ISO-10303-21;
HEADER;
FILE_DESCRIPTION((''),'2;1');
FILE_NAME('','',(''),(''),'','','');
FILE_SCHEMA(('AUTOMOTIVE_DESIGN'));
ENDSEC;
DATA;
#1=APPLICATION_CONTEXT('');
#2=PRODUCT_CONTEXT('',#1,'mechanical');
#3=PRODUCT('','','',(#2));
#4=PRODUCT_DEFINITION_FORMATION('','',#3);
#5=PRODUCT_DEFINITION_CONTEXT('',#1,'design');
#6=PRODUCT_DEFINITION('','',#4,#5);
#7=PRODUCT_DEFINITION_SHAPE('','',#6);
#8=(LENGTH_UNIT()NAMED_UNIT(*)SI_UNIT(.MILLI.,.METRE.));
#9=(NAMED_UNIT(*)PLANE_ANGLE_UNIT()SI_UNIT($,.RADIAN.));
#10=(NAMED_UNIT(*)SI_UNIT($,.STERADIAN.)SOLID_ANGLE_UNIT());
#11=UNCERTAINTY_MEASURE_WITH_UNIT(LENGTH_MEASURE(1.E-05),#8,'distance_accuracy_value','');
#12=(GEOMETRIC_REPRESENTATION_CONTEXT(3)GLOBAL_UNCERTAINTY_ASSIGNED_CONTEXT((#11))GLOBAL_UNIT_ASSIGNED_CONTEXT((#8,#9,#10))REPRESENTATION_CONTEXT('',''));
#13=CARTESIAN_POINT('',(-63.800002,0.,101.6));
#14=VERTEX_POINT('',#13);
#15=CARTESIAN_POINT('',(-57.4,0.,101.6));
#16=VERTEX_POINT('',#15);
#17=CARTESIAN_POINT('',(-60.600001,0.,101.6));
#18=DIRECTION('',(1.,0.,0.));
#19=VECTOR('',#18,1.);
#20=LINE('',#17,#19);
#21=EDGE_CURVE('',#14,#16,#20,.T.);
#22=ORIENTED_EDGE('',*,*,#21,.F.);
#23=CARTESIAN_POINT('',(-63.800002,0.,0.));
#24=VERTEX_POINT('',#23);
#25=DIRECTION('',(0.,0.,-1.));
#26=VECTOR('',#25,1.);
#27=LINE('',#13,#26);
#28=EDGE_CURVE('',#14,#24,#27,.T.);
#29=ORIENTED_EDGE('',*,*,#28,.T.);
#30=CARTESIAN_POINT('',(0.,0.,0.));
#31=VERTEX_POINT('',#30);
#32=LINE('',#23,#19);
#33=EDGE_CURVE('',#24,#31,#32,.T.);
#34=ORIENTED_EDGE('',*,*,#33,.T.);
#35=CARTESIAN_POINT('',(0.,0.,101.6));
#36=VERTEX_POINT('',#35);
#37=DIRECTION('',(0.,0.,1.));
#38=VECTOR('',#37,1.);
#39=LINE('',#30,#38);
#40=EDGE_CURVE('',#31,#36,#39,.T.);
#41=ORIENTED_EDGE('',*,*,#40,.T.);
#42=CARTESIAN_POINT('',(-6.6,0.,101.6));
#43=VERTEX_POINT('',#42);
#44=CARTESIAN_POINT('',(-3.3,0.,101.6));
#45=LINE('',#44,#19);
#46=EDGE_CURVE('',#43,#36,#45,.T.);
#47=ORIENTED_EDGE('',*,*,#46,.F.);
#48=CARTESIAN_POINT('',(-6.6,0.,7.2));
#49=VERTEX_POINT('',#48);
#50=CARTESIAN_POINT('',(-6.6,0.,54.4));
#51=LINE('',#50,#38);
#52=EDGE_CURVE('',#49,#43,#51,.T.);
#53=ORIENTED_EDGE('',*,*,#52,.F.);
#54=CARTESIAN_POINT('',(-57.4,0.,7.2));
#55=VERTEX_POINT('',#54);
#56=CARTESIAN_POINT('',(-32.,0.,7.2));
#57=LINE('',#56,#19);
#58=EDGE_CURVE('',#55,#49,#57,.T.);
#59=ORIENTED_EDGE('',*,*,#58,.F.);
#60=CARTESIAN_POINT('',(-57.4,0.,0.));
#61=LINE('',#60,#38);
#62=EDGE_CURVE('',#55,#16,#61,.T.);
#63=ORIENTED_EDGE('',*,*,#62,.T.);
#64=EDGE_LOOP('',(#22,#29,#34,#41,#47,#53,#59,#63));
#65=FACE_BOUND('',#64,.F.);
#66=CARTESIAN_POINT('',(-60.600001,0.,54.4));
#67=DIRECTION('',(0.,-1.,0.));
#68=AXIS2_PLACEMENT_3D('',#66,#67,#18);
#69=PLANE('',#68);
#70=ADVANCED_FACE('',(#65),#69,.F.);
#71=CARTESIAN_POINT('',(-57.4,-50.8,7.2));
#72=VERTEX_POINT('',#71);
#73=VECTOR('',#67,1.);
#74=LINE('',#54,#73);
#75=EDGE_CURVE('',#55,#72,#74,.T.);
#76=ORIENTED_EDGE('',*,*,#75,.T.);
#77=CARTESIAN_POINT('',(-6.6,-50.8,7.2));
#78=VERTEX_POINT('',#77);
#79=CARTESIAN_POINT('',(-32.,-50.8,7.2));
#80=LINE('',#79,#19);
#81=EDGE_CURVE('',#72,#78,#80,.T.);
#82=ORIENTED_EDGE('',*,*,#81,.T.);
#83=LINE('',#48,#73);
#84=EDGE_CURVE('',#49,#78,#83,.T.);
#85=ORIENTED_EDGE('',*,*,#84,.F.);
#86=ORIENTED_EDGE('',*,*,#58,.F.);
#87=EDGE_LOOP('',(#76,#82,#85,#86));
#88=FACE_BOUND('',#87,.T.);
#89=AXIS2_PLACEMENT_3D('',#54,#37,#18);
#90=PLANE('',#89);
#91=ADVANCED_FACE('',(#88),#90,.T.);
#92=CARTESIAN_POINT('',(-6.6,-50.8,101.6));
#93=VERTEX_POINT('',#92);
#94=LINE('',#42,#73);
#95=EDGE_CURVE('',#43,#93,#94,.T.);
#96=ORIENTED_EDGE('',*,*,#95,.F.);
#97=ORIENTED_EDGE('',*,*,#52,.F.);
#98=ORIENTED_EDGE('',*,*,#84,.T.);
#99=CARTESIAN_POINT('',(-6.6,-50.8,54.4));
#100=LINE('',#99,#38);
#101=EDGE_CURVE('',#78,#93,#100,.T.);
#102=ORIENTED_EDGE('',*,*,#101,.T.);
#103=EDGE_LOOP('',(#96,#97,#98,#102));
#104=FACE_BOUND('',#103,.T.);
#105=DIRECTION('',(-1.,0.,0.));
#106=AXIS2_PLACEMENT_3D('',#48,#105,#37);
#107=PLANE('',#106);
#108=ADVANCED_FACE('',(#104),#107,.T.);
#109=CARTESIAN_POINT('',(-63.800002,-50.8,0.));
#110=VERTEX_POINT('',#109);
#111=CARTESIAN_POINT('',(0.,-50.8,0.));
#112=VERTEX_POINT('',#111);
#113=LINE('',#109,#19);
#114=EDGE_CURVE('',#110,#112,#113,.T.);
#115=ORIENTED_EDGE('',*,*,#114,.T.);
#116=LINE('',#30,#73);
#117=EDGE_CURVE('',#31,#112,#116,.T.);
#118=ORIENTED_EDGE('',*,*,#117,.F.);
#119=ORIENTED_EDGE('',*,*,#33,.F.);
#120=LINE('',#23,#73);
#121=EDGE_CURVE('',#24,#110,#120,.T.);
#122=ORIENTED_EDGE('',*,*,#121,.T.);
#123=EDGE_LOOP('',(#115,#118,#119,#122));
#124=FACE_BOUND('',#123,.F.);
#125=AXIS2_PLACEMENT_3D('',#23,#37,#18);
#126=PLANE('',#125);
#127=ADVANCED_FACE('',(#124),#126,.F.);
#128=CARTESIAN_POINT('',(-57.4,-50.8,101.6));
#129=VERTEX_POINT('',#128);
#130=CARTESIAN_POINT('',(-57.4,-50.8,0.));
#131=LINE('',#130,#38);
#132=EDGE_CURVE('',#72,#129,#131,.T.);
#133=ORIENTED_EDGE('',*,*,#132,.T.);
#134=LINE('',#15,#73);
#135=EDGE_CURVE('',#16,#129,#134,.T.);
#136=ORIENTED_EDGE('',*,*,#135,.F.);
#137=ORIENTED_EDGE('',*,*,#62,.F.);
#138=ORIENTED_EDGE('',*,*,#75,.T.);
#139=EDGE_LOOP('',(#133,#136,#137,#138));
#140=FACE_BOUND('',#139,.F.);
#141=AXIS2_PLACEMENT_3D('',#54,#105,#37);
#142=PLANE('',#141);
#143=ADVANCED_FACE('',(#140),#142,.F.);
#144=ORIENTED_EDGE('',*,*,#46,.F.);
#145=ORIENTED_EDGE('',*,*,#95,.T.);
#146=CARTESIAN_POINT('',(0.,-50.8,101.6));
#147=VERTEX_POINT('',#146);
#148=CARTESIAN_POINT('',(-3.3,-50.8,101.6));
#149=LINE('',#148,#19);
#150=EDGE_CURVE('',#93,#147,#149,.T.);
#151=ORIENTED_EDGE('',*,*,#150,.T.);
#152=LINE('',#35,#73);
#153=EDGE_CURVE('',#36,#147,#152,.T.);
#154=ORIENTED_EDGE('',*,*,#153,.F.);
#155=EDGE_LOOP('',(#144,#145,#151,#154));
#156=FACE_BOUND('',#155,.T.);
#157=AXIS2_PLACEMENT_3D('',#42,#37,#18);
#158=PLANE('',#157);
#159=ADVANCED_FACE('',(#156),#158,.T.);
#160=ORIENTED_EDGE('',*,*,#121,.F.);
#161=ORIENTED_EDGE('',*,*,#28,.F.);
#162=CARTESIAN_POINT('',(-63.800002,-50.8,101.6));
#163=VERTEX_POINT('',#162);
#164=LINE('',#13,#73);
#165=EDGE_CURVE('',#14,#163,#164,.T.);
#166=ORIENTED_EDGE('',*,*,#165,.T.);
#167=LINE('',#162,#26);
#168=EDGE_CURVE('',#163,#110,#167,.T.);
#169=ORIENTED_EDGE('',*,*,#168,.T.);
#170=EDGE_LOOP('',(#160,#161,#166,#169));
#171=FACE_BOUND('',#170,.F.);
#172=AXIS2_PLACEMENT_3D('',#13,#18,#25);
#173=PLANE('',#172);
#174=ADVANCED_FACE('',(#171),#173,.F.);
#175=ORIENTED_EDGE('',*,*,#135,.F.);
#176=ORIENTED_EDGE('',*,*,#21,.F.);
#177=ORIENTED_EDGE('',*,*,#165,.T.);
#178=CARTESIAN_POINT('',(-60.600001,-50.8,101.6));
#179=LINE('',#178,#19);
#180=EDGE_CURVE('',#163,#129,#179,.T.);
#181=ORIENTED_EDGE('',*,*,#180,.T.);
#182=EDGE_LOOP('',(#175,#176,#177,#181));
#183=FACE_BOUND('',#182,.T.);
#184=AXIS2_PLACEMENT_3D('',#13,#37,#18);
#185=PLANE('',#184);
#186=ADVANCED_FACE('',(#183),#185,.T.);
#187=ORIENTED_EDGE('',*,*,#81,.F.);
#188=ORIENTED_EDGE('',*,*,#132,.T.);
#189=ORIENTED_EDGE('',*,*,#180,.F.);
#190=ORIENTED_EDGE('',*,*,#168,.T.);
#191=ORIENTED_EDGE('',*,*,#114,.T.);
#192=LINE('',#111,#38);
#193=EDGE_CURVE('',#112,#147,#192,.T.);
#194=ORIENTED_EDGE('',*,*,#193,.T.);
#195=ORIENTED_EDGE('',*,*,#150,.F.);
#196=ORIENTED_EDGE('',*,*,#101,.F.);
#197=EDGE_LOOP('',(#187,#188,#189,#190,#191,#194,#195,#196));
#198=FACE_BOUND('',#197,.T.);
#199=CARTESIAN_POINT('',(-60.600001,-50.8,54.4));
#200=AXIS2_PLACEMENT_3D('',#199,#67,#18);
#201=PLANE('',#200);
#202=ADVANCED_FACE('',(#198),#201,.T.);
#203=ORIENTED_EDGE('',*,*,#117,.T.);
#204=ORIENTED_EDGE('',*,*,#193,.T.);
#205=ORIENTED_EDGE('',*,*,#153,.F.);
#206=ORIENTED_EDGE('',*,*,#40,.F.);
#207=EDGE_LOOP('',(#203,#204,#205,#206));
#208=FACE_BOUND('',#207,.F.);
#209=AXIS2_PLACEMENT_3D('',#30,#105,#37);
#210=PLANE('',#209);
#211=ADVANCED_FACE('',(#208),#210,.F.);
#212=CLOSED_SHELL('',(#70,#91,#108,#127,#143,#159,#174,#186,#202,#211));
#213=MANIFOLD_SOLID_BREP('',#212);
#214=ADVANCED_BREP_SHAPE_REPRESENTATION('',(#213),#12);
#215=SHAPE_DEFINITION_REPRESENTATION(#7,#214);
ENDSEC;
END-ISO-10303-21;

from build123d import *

# Parameters (mm, degrees)
F0_W     = 6.400002
F0_H     = 94.4
F0_H_2   = 7.2
F0_W_2   = 50.8
F0_W_3   = 6.6
F1_DEPTH = 50.8


with BuildPart() as f1:
    # F0 (on Front) → F1 (new body)
    with BuildSketch(Plane.XZ):
        with Locations((-60.600001, 54.4)):
            Rectangle(F0_W, F0_H)
        with Locations((-60.600001, 3.6)):
            Rectangle(F0_W, F0_H_2)
        with Locations((-32, 3.6)):
            Rectangle(F0_W_2, F0_H_2)
        with Locations((-3.3, 54.4)):
            Rectangle(F0_W_3, F0_H)
        with Locations((-3.3, 3.6)):
            Rectangle(F0_W_3, F0_H_2)
    extrude(amount=F1_DEPTH)


solid = f1.part
